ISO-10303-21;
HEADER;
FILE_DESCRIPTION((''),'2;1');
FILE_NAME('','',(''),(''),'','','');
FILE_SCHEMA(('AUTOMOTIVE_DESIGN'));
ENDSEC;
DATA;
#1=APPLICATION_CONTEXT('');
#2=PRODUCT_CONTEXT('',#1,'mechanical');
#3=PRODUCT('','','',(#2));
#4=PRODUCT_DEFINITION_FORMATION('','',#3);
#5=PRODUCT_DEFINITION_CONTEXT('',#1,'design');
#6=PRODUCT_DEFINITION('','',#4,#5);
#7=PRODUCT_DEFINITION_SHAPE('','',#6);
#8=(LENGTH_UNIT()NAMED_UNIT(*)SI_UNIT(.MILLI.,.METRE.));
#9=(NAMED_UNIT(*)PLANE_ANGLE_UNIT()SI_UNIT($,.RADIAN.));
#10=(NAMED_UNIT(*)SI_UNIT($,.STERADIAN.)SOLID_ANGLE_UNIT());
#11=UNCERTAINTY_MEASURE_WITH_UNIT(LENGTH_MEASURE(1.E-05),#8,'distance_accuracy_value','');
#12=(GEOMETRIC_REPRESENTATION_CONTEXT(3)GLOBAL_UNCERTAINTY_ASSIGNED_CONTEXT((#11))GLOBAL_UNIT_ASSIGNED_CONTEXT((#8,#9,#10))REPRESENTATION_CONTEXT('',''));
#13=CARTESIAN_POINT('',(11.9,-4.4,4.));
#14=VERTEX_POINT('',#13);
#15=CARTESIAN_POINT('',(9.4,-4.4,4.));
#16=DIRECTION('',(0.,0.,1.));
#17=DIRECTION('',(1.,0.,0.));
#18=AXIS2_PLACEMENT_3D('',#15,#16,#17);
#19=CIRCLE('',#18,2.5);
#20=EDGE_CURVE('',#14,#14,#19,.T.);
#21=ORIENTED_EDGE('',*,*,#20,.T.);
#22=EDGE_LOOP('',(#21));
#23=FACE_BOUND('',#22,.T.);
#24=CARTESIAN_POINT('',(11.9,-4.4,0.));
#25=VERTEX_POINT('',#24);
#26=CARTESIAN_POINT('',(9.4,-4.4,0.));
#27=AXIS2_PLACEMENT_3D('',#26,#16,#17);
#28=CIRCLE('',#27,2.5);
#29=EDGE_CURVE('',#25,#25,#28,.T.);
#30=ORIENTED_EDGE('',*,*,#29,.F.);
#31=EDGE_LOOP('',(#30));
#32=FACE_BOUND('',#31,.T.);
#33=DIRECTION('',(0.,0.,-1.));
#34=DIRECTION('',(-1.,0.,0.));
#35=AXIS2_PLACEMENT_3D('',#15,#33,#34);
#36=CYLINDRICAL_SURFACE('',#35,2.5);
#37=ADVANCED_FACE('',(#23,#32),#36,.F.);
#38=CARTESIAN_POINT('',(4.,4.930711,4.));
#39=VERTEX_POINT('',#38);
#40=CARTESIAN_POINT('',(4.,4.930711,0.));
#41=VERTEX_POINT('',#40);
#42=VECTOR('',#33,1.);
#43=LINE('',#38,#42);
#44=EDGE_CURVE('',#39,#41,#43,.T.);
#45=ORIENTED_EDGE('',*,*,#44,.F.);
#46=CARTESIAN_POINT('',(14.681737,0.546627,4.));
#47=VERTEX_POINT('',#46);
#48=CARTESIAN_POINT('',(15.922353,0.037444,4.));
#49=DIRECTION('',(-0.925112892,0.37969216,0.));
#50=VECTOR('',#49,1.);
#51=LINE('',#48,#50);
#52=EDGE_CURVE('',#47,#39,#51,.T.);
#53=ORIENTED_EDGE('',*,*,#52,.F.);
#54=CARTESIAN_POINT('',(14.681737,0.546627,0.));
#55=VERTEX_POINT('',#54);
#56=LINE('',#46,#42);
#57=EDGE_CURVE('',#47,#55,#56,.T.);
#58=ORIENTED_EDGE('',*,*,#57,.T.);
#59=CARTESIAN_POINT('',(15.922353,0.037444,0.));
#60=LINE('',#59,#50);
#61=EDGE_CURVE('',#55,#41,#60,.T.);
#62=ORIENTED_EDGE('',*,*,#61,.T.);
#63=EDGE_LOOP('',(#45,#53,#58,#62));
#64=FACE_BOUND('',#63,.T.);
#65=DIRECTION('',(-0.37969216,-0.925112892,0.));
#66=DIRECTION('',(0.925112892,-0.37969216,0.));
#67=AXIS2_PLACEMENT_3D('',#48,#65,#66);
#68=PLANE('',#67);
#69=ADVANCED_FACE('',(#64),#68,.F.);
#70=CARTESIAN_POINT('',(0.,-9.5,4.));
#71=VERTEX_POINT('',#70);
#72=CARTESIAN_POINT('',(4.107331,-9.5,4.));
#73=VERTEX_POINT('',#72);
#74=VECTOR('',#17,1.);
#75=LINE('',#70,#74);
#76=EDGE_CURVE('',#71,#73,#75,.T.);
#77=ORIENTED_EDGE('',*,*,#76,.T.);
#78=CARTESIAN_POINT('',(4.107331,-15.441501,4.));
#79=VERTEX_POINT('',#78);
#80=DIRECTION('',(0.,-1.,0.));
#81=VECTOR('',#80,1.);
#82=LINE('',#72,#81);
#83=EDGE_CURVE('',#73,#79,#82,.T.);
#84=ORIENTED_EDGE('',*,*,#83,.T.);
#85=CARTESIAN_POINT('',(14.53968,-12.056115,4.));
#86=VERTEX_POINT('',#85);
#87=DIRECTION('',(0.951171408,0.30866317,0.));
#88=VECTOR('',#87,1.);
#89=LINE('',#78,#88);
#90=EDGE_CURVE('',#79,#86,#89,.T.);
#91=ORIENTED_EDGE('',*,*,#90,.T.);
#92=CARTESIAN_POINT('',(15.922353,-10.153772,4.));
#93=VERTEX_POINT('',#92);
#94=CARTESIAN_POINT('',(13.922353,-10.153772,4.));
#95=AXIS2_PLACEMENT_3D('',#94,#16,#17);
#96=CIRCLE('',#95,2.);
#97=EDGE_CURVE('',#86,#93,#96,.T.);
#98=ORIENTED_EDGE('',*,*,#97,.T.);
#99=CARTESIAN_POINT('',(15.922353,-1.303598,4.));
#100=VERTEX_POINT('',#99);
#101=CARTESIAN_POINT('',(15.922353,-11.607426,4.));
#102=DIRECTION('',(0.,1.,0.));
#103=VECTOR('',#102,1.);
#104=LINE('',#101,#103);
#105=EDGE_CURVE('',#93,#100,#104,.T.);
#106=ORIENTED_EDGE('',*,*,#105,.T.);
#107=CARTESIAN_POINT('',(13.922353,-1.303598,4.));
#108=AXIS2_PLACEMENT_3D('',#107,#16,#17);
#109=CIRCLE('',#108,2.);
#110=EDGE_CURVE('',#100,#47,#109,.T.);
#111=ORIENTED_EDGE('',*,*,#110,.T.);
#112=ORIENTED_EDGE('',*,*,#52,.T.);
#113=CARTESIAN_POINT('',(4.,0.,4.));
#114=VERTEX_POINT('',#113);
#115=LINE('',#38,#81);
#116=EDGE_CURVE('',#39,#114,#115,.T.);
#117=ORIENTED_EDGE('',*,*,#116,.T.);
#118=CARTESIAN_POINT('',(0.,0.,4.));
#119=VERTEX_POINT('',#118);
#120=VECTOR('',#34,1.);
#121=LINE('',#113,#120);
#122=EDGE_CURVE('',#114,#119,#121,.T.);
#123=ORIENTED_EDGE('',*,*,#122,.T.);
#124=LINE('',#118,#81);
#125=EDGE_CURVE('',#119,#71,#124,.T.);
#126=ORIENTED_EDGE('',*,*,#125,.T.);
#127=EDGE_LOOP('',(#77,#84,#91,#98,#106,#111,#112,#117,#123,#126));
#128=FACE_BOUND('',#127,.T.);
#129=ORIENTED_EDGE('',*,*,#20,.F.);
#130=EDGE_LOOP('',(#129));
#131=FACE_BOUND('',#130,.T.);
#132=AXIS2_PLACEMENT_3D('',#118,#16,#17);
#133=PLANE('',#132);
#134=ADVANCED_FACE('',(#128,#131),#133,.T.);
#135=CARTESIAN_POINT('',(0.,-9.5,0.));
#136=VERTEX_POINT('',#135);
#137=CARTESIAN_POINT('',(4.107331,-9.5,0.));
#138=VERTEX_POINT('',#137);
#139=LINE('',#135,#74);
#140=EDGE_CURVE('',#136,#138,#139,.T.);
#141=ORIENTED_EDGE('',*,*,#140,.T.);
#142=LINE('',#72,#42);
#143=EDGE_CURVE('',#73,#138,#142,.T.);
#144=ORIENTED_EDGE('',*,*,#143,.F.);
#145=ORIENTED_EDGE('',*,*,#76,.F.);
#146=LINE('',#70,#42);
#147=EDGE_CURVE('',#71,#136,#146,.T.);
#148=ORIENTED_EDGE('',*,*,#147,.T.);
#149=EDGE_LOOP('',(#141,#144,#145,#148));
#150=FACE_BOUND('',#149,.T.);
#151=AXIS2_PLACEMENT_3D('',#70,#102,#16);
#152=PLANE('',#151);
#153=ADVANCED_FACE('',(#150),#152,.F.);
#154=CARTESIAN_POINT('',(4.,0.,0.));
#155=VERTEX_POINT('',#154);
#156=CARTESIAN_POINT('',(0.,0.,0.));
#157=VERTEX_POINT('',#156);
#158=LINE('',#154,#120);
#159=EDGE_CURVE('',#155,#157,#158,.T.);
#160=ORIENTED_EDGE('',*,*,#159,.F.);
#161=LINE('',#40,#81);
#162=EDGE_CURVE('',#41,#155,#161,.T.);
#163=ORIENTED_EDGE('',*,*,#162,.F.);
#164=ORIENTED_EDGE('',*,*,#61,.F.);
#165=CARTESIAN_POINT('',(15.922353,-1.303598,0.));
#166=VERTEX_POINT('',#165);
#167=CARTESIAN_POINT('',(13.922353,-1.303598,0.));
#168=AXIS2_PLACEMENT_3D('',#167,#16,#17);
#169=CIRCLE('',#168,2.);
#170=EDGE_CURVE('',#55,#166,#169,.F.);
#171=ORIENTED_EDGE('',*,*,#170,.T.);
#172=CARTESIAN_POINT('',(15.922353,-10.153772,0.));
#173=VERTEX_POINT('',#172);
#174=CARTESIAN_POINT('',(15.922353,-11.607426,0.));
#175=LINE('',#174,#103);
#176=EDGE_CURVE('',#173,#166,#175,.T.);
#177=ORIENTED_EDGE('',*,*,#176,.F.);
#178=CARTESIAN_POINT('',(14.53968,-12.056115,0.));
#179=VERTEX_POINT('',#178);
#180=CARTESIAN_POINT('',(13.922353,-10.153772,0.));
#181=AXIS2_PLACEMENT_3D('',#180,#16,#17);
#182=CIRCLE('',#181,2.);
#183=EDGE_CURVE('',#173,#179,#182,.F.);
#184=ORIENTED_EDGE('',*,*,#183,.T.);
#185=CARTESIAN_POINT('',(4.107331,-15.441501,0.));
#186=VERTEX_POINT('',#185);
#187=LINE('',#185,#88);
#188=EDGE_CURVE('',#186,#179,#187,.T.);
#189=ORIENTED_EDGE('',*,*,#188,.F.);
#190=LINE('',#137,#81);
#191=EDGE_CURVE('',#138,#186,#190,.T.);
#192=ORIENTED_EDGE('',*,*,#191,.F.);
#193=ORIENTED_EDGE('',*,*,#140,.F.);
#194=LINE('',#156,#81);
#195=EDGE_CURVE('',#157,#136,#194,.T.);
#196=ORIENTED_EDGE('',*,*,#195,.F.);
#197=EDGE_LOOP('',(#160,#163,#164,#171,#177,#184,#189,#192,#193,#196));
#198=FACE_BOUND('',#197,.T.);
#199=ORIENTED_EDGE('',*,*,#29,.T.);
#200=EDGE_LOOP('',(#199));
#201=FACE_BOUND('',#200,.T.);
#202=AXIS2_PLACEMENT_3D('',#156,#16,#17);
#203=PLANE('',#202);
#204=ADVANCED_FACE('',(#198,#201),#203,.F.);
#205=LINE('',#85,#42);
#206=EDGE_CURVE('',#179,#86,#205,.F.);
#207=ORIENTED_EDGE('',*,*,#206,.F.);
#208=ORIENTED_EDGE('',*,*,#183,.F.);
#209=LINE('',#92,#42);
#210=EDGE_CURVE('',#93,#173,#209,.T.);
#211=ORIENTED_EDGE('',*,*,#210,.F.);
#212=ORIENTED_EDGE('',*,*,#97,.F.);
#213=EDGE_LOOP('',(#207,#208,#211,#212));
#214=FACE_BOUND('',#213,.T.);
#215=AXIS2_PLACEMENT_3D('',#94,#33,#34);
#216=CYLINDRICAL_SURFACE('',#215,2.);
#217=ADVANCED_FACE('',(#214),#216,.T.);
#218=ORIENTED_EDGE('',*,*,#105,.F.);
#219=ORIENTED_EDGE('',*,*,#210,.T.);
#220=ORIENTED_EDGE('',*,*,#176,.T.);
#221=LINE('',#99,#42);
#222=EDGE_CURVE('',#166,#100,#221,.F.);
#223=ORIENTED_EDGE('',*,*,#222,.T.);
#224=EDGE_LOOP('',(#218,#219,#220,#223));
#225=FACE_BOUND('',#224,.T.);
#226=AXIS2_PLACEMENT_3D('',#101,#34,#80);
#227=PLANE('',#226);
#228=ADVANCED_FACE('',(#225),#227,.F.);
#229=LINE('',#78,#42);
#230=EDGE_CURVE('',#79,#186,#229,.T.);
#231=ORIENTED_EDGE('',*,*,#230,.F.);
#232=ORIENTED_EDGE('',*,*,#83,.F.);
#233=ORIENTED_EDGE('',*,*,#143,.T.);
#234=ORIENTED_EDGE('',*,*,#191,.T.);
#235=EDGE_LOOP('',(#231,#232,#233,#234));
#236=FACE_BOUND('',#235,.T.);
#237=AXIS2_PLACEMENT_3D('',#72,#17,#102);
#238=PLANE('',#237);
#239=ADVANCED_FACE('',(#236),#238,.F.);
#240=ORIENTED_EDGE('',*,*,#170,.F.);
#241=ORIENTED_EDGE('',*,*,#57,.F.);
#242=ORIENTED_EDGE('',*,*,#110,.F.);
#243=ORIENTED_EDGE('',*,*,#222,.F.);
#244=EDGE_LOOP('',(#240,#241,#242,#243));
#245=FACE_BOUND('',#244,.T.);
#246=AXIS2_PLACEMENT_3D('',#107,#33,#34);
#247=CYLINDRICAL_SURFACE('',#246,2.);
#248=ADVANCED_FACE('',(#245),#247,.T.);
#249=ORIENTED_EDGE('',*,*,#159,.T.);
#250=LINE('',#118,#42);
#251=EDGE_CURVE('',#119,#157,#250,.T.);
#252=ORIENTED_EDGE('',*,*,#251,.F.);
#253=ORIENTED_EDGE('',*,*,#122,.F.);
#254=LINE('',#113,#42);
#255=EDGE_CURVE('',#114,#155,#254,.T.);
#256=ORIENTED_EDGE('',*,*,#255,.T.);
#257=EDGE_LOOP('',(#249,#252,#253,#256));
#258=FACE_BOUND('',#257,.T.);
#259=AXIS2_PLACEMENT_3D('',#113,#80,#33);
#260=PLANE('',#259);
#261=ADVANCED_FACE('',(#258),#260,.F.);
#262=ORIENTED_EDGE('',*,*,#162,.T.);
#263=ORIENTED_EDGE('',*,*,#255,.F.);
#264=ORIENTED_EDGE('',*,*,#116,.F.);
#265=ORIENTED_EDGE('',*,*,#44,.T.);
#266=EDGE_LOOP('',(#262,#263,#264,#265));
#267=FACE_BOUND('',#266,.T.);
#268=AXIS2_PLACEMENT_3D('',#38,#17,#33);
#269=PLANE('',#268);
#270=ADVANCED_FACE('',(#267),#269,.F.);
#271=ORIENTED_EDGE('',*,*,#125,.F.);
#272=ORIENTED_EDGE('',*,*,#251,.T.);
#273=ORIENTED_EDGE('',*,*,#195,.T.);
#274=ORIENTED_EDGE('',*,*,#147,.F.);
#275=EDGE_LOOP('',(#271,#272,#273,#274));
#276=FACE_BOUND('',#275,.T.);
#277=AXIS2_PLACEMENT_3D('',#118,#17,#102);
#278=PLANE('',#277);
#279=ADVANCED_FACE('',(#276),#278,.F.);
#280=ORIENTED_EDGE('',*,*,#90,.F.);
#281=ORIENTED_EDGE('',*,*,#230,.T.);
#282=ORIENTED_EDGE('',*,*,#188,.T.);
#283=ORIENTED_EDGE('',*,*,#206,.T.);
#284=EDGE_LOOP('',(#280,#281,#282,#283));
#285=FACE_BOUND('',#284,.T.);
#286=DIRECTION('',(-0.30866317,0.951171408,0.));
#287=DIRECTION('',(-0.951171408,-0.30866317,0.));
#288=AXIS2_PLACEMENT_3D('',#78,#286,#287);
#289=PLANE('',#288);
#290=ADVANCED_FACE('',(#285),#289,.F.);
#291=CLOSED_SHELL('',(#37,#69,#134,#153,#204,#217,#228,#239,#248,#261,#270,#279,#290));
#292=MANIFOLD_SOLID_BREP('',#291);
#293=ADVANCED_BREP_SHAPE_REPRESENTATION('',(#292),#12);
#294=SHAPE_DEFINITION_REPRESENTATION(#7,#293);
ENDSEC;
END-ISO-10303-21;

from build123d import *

# Parameters (mm, degrees)
SKETCH_1_R      = 2.5
EXTRUDE_1_DEPTH = 4
FILLET_1_R      = 2


with BuildPart() as part:
    # ｽｹｯﾁ1 → ﾎﾞｽ - 押し出し1 (new body)
    with BuildSketch(Plane.XY):
        Polygon((0, 0), (0, -9.5), (4.107330666, -9.5), (4.107330666, -15.441500508), (15.922353162, -11.607425741), (15.922353162, 0.037444009), (4, 4.930710615), (4, 0), align=None)
        with Locations((9.4, -4.4)):
            Circle(SKETCH_1_R, mode=Mode.SUBTRACT)
    extrude(amount=EXTRUDE_1_DEPTH)

    # ﾌｨﾚｯﾄ1
    fillet_1_edges = [part.edges().sort_by_distance(p)[0] for p in [
        (15.922353162, 0.037444009, 2),
        (15.922353162, -11.607425741, 2),
    ]]
    fillet(fillet_1_edges, radius=FILLET_1_R)


solid = part.part
